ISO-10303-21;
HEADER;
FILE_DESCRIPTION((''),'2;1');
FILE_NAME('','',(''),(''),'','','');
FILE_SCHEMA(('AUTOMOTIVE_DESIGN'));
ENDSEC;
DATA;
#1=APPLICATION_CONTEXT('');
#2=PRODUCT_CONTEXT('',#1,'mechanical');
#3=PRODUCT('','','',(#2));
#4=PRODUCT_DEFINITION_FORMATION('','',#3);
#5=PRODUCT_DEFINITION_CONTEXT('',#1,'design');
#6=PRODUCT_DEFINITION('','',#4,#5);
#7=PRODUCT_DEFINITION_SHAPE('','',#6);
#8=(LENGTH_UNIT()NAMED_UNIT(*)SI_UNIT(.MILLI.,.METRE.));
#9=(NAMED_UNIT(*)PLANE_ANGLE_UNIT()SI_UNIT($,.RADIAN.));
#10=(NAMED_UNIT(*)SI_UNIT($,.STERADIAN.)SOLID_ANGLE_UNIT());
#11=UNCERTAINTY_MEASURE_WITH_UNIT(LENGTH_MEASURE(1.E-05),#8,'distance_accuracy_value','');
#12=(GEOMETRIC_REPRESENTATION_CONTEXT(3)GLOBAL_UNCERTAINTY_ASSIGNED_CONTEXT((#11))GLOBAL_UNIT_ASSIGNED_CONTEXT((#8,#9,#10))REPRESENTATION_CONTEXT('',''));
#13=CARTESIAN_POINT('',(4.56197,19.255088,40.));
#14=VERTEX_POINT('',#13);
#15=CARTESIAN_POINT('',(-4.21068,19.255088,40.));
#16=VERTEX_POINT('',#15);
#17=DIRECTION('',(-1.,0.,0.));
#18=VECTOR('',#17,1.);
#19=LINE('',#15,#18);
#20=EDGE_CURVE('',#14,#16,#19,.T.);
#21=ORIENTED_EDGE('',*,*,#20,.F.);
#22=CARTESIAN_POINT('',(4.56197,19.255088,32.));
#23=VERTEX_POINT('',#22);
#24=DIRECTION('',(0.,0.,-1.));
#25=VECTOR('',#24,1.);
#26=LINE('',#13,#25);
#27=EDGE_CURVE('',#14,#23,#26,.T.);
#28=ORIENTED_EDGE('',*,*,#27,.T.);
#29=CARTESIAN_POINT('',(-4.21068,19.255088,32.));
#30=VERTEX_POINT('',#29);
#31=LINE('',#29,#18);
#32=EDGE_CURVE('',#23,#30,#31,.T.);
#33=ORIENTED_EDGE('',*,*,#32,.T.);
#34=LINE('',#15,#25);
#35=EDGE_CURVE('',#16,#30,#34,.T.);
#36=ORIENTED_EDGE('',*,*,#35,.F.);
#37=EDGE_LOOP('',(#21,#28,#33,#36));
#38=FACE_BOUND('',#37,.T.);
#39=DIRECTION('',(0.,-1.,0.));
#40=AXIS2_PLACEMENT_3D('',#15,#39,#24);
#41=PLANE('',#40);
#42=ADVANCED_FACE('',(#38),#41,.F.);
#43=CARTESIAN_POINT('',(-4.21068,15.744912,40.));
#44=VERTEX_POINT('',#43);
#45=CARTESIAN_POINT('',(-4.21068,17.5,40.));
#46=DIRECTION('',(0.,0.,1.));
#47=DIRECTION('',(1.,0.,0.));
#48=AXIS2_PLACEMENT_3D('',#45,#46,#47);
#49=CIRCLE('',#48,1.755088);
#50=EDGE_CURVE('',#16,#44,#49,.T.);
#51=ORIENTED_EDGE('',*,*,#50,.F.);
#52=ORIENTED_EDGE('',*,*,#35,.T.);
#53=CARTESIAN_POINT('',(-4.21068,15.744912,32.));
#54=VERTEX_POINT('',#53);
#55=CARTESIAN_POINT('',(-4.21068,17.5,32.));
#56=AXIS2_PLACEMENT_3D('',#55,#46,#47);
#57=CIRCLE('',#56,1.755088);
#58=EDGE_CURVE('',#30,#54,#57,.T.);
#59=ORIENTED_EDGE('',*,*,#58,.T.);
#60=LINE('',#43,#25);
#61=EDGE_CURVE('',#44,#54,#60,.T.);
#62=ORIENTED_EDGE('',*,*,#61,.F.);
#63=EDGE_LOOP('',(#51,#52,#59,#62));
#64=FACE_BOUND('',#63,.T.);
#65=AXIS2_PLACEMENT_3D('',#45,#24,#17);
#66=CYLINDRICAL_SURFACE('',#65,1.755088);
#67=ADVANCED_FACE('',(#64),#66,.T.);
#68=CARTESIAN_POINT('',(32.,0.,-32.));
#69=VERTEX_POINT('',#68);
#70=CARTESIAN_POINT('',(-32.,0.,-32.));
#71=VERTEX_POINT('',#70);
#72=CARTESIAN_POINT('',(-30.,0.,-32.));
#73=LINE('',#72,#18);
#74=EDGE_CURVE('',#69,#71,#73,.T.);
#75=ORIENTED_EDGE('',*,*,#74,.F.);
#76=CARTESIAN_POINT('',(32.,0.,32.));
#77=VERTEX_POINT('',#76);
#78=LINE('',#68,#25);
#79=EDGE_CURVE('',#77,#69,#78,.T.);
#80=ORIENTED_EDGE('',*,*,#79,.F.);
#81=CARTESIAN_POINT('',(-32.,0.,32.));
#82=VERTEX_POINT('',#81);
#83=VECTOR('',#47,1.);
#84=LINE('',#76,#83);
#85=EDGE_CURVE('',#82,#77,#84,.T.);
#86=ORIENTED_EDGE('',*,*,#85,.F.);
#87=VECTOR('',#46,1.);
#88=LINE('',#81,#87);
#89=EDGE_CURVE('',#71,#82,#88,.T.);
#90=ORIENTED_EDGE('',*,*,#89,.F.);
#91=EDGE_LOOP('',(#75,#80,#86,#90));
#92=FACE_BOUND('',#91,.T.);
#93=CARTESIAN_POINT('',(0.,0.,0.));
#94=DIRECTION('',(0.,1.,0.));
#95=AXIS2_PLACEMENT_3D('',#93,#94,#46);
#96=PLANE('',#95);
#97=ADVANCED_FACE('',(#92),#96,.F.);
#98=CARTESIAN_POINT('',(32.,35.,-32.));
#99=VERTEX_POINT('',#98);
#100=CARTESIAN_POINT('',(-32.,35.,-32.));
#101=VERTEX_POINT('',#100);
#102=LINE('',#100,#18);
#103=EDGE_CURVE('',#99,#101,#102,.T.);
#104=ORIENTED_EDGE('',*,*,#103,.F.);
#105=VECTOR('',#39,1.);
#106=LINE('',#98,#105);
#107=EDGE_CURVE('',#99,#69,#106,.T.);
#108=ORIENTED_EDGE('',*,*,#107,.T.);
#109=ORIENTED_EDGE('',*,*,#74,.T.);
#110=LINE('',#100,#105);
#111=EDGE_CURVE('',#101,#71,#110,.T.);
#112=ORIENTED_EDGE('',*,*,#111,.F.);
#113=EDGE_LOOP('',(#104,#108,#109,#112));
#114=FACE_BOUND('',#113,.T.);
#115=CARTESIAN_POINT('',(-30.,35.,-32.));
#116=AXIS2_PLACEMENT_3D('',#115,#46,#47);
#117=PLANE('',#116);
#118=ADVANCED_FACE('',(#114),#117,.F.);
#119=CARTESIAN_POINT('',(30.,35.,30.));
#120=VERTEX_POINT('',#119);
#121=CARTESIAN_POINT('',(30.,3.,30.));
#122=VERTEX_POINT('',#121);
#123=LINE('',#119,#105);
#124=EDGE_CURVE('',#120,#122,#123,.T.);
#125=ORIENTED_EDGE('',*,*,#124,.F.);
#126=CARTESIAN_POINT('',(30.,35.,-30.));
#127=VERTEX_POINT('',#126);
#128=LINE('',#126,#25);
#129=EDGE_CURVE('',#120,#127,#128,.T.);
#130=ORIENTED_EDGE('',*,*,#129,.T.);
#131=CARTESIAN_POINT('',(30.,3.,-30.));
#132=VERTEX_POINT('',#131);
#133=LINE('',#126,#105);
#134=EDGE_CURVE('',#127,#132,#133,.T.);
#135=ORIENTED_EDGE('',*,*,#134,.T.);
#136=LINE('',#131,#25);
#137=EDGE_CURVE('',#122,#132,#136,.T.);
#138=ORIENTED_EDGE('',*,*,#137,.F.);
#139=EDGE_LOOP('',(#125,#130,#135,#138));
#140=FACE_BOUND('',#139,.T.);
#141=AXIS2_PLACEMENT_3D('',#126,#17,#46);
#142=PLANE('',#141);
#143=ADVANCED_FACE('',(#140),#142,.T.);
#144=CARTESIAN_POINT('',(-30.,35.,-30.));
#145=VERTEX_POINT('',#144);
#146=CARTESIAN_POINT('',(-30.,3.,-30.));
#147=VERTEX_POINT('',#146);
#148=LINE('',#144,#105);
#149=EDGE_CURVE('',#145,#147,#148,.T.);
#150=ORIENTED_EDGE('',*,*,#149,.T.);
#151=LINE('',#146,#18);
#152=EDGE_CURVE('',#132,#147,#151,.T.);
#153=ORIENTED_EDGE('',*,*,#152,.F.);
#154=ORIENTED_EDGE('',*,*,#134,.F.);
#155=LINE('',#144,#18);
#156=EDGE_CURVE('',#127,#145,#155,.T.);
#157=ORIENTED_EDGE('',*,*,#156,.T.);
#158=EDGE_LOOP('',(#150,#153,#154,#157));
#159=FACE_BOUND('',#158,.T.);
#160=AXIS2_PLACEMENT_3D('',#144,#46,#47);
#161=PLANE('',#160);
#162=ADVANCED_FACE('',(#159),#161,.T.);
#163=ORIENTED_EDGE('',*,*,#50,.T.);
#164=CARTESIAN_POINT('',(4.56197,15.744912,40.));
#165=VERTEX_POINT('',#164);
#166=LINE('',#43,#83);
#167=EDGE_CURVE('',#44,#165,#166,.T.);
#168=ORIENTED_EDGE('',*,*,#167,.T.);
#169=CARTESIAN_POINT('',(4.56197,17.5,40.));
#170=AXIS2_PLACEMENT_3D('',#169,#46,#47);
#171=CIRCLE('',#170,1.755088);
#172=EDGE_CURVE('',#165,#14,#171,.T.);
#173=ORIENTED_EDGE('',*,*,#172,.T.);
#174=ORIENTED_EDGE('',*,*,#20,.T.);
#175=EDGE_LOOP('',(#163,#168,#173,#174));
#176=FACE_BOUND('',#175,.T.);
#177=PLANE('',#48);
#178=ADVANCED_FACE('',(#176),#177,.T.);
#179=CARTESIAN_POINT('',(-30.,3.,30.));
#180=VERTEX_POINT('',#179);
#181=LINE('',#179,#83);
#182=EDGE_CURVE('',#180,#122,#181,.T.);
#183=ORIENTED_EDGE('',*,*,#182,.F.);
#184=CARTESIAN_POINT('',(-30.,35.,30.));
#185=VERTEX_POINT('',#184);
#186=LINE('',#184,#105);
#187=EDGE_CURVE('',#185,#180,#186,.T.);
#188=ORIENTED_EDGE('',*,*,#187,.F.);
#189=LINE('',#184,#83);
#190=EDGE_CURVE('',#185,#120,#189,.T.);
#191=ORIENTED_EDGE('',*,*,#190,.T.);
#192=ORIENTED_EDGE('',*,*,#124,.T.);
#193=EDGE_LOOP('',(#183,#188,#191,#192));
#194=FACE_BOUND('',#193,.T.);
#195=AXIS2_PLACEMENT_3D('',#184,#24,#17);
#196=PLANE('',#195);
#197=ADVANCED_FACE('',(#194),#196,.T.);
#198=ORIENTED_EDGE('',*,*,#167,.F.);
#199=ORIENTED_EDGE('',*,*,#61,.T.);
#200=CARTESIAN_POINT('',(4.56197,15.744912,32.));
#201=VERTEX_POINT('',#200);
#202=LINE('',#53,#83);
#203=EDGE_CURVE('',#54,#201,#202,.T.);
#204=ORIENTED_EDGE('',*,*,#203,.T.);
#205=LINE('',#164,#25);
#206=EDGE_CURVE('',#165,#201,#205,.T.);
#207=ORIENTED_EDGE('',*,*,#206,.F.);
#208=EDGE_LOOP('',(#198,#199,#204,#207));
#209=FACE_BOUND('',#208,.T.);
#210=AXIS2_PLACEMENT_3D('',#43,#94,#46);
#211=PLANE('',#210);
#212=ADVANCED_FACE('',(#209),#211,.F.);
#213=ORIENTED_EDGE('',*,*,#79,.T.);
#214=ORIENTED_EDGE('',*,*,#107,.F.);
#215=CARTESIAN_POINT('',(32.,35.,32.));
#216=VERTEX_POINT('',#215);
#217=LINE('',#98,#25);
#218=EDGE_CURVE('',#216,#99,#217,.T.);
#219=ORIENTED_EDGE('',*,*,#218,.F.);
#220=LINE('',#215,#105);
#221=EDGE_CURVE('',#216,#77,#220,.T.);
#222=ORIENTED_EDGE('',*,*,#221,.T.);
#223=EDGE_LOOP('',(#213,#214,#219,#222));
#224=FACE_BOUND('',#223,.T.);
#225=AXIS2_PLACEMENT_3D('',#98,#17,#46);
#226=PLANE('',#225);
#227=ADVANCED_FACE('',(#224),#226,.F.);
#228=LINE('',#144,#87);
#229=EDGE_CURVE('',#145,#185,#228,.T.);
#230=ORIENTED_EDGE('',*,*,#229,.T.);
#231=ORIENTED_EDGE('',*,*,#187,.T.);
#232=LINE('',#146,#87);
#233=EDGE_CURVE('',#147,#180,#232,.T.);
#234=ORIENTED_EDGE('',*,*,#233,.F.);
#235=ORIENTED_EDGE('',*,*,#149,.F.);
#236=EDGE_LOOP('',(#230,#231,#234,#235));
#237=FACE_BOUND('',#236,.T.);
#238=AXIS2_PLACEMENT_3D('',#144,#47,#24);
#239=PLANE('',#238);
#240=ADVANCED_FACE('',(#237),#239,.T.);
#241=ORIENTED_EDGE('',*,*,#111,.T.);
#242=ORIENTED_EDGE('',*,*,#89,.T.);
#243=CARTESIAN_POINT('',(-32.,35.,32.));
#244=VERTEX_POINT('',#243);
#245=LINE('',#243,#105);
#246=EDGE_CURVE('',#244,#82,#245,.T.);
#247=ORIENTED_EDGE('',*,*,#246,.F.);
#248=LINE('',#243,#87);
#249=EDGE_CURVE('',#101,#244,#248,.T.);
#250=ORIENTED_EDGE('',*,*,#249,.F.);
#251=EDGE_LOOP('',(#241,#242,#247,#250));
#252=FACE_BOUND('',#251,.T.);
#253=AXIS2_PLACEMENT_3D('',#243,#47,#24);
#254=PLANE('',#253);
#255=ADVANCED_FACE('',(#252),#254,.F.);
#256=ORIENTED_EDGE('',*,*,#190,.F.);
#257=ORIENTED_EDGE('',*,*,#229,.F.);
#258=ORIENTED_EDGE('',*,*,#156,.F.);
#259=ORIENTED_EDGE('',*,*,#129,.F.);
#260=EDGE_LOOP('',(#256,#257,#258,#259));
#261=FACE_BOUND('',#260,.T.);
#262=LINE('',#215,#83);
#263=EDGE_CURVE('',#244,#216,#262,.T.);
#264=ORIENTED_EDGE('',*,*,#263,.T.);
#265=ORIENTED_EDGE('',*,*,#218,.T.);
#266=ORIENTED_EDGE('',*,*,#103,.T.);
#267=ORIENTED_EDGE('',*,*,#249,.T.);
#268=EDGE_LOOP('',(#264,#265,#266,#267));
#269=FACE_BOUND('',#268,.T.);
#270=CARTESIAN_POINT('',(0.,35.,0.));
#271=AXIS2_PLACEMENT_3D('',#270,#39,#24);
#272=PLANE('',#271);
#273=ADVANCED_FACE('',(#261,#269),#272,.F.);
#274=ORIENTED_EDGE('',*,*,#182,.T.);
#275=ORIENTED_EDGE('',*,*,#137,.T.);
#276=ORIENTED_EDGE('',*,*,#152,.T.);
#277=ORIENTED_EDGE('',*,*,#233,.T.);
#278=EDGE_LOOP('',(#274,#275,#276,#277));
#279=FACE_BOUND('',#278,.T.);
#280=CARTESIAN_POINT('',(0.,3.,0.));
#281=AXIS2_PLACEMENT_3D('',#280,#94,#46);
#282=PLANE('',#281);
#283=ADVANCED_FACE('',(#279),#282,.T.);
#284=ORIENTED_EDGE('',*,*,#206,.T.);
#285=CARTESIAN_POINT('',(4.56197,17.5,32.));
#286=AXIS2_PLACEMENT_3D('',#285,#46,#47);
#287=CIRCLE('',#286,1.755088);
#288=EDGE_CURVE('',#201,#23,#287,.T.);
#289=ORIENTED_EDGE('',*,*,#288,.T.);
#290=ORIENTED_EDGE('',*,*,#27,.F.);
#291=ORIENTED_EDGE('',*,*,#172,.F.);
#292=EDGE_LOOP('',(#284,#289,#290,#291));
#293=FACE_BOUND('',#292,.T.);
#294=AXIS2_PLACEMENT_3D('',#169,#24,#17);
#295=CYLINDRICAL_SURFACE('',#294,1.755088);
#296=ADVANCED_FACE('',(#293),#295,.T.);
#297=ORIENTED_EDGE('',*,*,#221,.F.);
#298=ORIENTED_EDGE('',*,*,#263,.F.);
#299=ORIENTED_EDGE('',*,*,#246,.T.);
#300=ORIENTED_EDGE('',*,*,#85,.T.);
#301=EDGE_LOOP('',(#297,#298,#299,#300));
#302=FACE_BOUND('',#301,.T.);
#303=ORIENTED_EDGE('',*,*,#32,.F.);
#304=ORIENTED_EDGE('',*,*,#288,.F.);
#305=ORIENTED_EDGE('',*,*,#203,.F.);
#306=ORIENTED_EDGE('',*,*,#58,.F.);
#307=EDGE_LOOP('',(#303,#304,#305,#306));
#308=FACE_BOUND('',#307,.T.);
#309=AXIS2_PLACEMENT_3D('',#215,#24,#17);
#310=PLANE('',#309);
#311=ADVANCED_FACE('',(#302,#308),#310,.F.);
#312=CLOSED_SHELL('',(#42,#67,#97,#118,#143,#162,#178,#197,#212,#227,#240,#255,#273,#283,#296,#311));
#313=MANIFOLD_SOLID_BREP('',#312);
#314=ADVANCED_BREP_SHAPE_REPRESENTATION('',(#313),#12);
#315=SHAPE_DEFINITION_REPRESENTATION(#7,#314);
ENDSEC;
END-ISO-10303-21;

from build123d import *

# Parameters (mm, degrees)
SKETCH_1_W      = 60
SKETCH_1_H      = 60
EXTRUDE_1_DEPTH = 3
SKETCH_2_W      = 60
SKETCH_2_H      = 60
EXTRUDE_2_DEPTH = 35
EXTRUDE_3_DEPTH = 8


with BuildPart() as part:
    # 草图1 → 凸台-拉伸1 (new body)
    with BuildSketch(Plane(origin=(0, 0, 0), x_dir=(1, 0, 0), z_dir=(0, 1, 0))):
        Rectangle(SKETCH_1_W, SKETCH_1_H)
    extrude(amount=EXTRUDE_1_DEPTH)

    # 草图2 → 凸台-拉伸2 (add)
    with BuildSketch(Plane(origin=(0, 0, 0), x_dir=(1, 0, 0), z_dir=(0, 1, 0))):
        Polygon((-30, 32), (32, 32), (32, -32), (-32, -32), (-32, 32), align=None)
        Rectangle(SKETCH_2_W, SKETCH_2_H, mode=Mode.SUBTRACT)
    extrude(amount=EXTRUDE_2_DEPTH)

    # 草图3 → 凸台-拉伸3 (add)
    with BuildSketch(Plane.XY.offset(32)):
        with BuildLine():
            Line((-4.210680383, 19.255087703), (4.561970296, 19.255087703))
            ThreePointArc((4.561970296, 19.255087703), (6.317057998, 17.5), (4.561970296, 15.744912297))
            Line((4.561970296, 15.744912297), (-4.210680383, 15.744912297))
            ThreePointArc((-4.210680383, 15.744912297), (-5.965768086, 17.5), (-4.210680383, 19.255087703))
        make_face()
    extrude(amount=EXTRUDE_3_DEPTH)


solid = part.part
